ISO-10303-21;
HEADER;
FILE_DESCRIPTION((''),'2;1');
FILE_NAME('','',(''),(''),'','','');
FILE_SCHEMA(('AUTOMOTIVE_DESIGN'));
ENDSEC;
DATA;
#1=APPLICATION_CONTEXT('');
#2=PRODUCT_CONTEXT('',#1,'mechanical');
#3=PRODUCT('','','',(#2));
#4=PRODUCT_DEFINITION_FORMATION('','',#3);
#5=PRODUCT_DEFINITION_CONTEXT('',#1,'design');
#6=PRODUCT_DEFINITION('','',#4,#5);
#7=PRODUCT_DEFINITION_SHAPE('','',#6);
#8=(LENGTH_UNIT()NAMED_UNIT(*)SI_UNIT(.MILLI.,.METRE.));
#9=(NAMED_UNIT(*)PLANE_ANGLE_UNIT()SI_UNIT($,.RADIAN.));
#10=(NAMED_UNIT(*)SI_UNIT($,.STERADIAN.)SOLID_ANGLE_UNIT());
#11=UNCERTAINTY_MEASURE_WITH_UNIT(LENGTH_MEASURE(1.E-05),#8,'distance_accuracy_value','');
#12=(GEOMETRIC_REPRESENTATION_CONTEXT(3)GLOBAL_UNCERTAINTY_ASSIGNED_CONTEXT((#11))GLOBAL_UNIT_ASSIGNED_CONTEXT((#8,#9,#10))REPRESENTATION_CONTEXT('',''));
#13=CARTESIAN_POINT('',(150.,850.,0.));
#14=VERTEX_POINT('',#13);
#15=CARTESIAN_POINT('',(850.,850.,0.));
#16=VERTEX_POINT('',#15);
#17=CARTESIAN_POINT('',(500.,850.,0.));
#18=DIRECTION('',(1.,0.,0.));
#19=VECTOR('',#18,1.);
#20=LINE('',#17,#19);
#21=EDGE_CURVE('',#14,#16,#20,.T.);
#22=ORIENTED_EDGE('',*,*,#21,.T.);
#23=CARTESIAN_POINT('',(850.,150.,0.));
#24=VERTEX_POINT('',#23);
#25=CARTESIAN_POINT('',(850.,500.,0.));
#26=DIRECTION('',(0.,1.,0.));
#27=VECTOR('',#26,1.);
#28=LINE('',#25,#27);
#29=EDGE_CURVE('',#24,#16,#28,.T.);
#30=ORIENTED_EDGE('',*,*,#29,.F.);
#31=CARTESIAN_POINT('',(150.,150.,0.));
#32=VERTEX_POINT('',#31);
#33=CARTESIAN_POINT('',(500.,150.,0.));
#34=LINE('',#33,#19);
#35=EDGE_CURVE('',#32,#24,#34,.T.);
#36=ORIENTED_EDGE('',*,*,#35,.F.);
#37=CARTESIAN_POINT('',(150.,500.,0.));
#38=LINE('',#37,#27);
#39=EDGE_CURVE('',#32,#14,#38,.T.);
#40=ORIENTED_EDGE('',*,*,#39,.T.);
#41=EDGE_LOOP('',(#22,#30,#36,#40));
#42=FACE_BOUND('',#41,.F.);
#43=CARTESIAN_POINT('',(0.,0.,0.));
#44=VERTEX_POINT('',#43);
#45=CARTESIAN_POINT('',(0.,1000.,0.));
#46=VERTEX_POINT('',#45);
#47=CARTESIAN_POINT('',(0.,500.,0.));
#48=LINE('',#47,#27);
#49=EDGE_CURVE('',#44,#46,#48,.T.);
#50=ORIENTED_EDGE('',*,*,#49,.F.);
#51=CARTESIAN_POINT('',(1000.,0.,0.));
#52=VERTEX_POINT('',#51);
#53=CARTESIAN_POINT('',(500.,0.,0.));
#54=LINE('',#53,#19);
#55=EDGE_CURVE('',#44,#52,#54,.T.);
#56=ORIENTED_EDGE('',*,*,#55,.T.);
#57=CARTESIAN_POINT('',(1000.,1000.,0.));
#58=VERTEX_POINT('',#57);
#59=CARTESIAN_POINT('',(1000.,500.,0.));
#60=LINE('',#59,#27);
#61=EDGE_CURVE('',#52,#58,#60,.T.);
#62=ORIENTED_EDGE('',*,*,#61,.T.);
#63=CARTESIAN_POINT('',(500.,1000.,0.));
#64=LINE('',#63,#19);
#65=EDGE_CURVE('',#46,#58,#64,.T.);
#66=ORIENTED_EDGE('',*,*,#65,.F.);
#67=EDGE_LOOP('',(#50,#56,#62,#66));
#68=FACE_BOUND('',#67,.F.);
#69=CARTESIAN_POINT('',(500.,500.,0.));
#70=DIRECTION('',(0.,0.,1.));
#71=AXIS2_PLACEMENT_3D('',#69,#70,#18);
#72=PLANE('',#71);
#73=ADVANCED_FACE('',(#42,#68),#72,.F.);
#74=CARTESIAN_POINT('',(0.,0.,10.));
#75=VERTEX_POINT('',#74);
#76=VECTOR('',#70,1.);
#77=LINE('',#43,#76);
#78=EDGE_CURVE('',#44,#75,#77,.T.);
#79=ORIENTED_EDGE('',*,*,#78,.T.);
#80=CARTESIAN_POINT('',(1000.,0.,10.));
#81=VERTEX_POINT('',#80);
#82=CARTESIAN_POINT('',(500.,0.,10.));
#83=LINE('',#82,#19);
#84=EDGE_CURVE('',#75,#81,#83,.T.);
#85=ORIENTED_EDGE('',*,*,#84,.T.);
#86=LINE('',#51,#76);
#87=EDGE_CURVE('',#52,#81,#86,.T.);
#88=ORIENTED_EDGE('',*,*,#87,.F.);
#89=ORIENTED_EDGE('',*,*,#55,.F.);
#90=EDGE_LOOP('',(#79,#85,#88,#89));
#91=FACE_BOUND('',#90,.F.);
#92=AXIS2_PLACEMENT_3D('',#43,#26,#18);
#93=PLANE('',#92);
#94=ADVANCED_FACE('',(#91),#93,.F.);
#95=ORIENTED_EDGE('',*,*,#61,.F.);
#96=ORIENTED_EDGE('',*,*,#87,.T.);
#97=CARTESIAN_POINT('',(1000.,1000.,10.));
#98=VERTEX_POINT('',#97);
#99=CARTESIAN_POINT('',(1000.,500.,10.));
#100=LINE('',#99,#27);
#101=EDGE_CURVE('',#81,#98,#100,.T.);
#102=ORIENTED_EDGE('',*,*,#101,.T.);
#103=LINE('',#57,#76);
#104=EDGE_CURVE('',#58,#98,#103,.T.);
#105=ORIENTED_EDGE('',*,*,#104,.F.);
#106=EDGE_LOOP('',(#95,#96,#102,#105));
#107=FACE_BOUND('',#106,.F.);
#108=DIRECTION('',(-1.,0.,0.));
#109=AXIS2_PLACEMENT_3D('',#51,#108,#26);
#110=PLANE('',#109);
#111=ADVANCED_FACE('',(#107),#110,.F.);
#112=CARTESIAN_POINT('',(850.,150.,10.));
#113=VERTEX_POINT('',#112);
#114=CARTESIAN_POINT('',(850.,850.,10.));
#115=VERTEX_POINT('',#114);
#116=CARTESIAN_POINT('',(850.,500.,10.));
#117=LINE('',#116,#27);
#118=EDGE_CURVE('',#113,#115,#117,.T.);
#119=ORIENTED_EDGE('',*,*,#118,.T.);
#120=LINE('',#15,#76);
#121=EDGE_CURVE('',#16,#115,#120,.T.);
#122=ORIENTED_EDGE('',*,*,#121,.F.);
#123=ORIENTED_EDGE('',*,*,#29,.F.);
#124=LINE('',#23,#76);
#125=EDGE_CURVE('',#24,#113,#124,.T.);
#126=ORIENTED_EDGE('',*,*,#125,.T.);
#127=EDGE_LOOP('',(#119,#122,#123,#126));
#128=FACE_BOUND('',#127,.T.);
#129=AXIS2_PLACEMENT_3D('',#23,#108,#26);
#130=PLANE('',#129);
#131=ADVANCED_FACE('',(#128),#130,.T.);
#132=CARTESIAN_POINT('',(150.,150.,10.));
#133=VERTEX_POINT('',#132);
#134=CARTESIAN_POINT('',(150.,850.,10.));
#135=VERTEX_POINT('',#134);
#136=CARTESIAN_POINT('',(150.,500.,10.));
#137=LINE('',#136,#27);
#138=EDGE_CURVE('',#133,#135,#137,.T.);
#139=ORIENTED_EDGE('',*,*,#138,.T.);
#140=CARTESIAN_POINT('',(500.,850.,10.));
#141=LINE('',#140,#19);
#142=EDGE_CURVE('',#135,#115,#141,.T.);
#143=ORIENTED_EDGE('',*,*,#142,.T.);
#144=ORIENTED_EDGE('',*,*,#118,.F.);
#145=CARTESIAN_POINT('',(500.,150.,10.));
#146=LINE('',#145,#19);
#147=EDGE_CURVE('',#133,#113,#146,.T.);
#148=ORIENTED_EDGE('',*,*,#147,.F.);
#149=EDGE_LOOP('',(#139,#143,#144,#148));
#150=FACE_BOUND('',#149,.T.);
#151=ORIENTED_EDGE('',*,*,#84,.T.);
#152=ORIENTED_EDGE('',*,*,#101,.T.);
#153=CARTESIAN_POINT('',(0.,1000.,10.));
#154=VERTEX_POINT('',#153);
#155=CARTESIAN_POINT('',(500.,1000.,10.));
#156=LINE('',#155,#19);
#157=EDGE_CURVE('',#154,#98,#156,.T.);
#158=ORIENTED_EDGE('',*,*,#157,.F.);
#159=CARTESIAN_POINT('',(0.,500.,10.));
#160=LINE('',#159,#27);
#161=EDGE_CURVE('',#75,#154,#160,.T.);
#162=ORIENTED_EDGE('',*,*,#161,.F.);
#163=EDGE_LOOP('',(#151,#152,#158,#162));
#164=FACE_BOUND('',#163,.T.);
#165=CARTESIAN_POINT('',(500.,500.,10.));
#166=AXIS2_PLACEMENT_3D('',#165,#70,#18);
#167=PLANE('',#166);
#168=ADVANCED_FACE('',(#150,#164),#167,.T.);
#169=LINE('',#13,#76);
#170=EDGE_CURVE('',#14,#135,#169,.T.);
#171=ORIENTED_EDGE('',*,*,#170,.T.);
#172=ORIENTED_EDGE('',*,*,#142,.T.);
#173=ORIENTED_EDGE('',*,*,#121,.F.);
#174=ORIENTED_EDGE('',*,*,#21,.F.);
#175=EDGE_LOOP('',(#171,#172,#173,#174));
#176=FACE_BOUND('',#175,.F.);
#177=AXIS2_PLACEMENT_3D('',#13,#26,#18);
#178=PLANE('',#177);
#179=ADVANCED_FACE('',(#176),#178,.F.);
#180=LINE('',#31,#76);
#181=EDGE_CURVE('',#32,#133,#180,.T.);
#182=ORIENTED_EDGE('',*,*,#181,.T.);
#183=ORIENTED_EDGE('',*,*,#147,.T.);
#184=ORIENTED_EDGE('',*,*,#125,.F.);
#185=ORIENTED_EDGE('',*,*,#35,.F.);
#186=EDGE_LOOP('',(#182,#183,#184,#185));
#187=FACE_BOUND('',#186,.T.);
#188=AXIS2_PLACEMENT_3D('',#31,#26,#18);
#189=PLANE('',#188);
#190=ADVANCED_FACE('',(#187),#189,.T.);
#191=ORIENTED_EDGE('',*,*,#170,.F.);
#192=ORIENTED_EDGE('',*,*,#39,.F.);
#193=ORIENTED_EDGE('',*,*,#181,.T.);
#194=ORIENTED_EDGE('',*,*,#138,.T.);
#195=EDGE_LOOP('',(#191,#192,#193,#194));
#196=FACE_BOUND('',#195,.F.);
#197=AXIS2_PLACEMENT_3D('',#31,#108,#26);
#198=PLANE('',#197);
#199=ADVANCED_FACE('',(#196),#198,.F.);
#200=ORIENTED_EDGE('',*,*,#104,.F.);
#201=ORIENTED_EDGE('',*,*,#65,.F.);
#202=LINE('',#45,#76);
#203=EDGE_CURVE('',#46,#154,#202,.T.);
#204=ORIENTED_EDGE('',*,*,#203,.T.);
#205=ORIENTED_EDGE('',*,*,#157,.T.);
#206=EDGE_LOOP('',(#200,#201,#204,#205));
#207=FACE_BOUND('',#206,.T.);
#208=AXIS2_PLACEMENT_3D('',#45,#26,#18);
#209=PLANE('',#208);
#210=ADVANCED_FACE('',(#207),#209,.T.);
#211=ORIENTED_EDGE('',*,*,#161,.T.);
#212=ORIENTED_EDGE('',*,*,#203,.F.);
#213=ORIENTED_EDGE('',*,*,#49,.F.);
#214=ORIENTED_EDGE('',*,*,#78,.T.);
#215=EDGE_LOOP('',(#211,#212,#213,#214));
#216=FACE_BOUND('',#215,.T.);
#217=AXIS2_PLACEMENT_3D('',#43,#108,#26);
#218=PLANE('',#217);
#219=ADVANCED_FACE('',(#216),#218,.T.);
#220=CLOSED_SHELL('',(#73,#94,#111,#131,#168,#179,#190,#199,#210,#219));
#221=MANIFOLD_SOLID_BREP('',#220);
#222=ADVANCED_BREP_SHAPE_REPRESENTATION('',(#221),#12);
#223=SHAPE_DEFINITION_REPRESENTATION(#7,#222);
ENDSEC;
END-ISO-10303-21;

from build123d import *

# Parameters (mm, degrees)
BOX001_W     = 700
BOX001_H     = 700
BOX001_DEPTH = 10
BOX_W        = 1000
BOX_H        = 1000
BOX_DEPTH    = 10


with BuildPart() as cube001:
    # Box001 → Box001 (new body)
    with BuildSketch(Plane(origin=(150, 150, 0), x_dir=(1, 0, 0), z_dir=(0, 0, 1))):
        with Locations((350, 350)):
            Rectangle(BOX001_W, BOX001_H)
    extrude(amount=BOX001_DEPTH)


with BuildPart() as cut:
    # Box → Box (new body)
    with BuildSketch(Plane.XY):
        with Locations((500, 500)):
            Rectangle(BOX_W, BOX_H)
    extrude(amount=BOX_DEPTH)

    # Cut: cut Cube001
    add(cube001.part, mode=Mode.SUBTRACT)


solid = cut.part
